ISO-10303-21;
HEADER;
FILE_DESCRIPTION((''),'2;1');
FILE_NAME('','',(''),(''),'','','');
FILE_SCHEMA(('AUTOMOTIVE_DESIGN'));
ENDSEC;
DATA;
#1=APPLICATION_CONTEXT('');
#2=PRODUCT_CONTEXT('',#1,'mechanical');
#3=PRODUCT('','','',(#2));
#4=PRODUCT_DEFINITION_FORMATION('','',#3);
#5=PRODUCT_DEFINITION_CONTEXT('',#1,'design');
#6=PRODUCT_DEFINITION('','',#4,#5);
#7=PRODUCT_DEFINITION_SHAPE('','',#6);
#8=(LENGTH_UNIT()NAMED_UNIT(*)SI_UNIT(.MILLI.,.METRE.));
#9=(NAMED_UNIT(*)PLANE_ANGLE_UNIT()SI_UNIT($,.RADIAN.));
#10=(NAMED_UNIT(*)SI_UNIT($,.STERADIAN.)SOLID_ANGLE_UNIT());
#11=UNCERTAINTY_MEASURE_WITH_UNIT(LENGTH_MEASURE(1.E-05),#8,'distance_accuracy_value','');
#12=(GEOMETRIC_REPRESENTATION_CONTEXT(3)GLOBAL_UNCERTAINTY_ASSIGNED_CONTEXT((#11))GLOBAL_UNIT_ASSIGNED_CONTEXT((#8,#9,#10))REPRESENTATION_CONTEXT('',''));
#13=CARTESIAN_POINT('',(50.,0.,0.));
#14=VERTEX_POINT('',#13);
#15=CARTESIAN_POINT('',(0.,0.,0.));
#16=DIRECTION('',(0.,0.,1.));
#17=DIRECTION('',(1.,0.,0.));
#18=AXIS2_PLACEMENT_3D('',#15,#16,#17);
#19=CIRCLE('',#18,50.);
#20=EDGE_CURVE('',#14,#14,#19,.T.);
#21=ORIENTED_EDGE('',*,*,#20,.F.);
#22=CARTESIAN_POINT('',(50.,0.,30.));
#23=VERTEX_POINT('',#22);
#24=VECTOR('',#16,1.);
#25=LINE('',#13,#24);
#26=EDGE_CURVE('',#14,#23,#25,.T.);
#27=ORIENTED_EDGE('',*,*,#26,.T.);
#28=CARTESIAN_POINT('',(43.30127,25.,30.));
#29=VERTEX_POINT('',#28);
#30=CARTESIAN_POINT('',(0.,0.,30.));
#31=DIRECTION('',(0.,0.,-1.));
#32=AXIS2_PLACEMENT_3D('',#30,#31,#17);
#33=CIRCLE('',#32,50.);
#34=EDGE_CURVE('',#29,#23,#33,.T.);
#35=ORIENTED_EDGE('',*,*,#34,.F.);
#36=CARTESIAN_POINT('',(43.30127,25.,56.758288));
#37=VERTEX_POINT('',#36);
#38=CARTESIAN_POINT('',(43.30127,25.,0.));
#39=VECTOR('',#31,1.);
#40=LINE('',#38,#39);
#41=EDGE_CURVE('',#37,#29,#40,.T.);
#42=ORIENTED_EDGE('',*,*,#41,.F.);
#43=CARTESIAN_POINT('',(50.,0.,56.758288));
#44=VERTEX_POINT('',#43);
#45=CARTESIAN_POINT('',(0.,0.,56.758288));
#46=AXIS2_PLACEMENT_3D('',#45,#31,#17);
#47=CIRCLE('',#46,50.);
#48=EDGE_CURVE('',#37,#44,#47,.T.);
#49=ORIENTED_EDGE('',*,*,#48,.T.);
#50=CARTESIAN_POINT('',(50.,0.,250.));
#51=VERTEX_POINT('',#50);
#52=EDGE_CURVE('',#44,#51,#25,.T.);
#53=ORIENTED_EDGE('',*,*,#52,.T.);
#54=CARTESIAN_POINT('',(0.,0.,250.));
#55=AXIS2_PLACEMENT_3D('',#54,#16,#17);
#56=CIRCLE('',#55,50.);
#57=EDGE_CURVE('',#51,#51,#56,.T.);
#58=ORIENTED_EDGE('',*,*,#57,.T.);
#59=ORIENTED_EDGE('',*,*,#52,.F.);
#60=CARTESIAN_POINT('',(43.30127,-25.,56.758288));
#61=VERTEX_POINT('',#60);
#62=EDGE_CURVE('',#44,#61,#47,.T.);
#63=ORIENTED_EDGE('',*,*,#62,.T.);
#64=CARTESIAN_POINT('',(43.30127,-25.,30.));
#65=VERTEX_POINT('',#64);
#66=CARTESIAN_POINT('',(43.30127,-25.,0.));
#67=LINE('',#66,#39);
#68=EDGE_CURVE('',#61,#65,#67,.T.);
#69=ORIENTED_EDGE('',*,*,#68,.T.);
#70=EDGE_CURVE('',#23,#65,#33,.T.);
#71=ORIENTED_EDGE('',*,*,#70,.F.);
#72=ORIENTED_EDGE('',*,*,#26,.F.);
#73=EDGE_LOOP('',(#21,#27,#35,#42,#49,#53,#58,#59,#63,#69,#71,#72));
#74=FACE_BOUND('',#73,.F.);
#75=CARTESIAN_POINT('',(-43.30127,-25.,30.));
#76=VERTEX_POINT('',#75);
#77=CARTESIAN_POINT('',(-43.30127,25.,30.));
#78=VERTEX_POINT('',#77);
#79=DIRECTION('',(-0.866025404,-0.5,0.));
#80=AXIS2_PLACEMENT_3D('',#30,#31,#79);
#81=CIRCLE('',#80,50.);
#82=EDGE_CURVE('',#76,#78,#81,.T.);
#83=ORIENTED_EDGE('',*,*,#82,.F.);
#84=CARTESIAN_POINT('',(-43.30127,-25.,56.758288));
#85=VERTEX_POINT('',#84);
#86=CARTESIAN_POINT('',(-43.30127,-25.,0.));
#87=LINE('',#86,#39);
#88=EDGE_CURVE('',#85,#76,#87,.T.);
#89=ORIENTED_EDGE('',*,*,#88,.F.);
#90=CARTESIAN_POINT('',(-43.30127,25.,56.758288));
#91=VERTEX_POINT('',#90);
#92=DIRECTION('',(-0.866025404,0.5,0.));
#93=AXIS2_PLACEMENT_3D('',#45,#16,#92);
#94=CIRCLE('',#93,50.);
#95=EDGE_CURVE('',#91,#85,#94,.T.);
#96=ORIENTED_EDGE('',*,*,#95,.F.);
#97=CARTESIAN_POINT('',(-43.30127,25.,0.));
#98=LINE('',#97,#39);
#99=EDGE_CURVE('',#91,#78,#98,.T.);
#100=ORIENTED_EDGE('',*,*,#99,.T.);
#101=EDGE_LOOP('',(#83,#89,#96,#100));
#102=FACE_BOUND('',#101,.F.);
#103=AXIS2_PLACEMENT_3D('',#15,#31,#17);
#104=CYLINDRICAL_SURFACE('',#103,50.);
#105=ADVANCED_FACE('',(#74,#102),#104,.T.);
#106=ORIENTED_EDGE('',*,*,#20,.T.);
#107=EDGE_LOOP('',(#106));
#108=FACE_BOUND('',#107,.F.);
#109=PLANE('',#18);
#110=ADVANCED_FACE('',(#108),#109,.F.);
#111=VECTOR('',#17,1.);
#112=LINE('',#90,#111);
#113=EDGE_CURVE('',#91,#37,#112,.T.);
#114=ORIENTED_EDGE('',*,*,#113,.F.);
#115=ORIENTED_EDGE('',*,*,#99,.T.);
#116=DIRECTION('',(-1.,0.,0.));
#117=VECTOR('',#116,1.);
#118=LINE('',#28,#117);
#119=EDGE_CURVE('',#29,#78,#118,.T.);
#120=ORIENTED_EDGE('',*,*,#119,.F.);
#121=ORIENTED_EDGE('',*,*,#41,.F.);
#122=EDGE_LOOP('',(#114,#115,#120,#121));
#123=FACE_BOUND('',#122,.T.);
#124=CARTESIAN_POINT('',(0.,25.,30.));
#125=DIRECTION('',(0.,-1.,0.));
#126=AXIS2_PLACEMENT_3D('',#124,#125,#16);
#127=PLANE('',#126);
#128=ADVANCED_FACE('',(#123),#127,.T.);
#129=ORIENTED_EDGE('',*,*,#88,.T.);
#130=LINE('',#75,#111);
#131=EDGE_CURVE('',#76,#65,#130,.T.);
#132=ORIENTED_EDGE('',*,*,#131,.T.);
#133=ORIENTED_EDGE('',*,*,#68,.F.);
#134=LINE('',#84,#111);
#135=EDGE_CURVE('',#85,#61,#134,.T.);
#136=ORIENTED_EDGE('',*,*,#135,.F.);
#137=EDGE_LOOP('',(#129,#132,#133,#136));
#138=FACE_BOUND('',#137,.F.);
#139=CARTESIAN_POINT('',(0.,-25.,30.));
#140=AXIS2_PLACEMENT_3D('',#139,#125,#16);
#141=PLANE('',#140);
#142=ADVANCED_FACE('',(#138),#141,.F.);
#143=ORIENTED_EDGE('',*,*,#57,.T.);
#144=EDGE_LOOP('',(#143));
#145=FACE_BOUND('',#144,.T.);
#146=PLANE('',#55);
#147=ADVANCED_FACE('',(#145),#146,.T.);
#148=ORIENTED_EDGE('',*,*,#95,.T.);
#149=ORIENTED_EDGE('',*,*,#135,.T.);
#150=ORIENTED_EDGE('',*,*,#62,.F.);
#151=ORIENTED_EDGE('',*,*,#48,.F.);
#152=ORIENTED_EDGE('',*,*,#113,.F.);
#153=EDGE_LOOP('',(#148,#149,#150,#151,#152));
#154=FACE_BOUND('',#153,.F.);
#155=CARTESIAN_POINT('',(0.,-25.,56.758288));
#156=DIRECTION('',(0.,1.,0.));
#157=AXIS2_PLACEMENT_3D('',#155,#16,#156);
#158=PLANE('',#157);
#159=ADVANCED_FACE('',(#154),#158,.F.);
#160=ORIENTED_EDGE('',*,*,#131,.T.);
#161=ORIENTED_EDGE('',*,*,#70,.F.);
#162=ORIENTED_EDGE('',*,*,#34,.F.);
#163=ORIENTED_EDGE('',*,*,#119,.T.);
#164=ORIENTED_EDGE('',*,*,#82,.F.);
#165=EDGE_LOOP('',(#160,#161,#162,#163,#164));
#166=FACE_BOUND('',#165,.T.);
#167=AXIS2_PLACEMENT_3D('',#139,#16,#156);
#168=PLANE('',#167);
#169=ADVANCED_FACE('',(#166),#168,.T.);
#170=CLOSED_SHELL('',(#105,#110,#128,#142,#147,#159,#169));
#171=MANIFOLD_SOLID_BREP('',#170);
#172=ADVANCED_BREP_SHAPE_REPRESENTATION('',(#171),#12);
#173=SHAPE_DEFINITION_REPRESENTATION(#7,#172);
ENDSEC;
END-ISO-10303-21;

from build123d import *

# Parameters (mm, degrees)
F0_R          = 50
F1_DEPTH      = 250
F2_W          = 50
F2_H          = 26.758289
F3_DEPTH      = 50
F3_DEPTH_BACK = 50


with BuildPart() as f1:
    # F0 (on Top) → F1 (new body)
    with BuildSketch(Plane.XY):
        Circle(F0_R)
    extrude(amount=F1_DEPTH)

    # F2 (on Right) → F3 (cut, two sides)
    with BuildSketch(Plane.YZ) as f3_sk:
        with Locations((0, 43.379144)):
            Rectangle(F2_W, F2_H)
    extrude(amount=F3_DEPTH, mode=Mode.SUBTRACT)
    extrude(f3_sk.sketch, amount=-F3_DEPTH_BACK, mode=Mode.SUBTRACT)


solid = f1.part
